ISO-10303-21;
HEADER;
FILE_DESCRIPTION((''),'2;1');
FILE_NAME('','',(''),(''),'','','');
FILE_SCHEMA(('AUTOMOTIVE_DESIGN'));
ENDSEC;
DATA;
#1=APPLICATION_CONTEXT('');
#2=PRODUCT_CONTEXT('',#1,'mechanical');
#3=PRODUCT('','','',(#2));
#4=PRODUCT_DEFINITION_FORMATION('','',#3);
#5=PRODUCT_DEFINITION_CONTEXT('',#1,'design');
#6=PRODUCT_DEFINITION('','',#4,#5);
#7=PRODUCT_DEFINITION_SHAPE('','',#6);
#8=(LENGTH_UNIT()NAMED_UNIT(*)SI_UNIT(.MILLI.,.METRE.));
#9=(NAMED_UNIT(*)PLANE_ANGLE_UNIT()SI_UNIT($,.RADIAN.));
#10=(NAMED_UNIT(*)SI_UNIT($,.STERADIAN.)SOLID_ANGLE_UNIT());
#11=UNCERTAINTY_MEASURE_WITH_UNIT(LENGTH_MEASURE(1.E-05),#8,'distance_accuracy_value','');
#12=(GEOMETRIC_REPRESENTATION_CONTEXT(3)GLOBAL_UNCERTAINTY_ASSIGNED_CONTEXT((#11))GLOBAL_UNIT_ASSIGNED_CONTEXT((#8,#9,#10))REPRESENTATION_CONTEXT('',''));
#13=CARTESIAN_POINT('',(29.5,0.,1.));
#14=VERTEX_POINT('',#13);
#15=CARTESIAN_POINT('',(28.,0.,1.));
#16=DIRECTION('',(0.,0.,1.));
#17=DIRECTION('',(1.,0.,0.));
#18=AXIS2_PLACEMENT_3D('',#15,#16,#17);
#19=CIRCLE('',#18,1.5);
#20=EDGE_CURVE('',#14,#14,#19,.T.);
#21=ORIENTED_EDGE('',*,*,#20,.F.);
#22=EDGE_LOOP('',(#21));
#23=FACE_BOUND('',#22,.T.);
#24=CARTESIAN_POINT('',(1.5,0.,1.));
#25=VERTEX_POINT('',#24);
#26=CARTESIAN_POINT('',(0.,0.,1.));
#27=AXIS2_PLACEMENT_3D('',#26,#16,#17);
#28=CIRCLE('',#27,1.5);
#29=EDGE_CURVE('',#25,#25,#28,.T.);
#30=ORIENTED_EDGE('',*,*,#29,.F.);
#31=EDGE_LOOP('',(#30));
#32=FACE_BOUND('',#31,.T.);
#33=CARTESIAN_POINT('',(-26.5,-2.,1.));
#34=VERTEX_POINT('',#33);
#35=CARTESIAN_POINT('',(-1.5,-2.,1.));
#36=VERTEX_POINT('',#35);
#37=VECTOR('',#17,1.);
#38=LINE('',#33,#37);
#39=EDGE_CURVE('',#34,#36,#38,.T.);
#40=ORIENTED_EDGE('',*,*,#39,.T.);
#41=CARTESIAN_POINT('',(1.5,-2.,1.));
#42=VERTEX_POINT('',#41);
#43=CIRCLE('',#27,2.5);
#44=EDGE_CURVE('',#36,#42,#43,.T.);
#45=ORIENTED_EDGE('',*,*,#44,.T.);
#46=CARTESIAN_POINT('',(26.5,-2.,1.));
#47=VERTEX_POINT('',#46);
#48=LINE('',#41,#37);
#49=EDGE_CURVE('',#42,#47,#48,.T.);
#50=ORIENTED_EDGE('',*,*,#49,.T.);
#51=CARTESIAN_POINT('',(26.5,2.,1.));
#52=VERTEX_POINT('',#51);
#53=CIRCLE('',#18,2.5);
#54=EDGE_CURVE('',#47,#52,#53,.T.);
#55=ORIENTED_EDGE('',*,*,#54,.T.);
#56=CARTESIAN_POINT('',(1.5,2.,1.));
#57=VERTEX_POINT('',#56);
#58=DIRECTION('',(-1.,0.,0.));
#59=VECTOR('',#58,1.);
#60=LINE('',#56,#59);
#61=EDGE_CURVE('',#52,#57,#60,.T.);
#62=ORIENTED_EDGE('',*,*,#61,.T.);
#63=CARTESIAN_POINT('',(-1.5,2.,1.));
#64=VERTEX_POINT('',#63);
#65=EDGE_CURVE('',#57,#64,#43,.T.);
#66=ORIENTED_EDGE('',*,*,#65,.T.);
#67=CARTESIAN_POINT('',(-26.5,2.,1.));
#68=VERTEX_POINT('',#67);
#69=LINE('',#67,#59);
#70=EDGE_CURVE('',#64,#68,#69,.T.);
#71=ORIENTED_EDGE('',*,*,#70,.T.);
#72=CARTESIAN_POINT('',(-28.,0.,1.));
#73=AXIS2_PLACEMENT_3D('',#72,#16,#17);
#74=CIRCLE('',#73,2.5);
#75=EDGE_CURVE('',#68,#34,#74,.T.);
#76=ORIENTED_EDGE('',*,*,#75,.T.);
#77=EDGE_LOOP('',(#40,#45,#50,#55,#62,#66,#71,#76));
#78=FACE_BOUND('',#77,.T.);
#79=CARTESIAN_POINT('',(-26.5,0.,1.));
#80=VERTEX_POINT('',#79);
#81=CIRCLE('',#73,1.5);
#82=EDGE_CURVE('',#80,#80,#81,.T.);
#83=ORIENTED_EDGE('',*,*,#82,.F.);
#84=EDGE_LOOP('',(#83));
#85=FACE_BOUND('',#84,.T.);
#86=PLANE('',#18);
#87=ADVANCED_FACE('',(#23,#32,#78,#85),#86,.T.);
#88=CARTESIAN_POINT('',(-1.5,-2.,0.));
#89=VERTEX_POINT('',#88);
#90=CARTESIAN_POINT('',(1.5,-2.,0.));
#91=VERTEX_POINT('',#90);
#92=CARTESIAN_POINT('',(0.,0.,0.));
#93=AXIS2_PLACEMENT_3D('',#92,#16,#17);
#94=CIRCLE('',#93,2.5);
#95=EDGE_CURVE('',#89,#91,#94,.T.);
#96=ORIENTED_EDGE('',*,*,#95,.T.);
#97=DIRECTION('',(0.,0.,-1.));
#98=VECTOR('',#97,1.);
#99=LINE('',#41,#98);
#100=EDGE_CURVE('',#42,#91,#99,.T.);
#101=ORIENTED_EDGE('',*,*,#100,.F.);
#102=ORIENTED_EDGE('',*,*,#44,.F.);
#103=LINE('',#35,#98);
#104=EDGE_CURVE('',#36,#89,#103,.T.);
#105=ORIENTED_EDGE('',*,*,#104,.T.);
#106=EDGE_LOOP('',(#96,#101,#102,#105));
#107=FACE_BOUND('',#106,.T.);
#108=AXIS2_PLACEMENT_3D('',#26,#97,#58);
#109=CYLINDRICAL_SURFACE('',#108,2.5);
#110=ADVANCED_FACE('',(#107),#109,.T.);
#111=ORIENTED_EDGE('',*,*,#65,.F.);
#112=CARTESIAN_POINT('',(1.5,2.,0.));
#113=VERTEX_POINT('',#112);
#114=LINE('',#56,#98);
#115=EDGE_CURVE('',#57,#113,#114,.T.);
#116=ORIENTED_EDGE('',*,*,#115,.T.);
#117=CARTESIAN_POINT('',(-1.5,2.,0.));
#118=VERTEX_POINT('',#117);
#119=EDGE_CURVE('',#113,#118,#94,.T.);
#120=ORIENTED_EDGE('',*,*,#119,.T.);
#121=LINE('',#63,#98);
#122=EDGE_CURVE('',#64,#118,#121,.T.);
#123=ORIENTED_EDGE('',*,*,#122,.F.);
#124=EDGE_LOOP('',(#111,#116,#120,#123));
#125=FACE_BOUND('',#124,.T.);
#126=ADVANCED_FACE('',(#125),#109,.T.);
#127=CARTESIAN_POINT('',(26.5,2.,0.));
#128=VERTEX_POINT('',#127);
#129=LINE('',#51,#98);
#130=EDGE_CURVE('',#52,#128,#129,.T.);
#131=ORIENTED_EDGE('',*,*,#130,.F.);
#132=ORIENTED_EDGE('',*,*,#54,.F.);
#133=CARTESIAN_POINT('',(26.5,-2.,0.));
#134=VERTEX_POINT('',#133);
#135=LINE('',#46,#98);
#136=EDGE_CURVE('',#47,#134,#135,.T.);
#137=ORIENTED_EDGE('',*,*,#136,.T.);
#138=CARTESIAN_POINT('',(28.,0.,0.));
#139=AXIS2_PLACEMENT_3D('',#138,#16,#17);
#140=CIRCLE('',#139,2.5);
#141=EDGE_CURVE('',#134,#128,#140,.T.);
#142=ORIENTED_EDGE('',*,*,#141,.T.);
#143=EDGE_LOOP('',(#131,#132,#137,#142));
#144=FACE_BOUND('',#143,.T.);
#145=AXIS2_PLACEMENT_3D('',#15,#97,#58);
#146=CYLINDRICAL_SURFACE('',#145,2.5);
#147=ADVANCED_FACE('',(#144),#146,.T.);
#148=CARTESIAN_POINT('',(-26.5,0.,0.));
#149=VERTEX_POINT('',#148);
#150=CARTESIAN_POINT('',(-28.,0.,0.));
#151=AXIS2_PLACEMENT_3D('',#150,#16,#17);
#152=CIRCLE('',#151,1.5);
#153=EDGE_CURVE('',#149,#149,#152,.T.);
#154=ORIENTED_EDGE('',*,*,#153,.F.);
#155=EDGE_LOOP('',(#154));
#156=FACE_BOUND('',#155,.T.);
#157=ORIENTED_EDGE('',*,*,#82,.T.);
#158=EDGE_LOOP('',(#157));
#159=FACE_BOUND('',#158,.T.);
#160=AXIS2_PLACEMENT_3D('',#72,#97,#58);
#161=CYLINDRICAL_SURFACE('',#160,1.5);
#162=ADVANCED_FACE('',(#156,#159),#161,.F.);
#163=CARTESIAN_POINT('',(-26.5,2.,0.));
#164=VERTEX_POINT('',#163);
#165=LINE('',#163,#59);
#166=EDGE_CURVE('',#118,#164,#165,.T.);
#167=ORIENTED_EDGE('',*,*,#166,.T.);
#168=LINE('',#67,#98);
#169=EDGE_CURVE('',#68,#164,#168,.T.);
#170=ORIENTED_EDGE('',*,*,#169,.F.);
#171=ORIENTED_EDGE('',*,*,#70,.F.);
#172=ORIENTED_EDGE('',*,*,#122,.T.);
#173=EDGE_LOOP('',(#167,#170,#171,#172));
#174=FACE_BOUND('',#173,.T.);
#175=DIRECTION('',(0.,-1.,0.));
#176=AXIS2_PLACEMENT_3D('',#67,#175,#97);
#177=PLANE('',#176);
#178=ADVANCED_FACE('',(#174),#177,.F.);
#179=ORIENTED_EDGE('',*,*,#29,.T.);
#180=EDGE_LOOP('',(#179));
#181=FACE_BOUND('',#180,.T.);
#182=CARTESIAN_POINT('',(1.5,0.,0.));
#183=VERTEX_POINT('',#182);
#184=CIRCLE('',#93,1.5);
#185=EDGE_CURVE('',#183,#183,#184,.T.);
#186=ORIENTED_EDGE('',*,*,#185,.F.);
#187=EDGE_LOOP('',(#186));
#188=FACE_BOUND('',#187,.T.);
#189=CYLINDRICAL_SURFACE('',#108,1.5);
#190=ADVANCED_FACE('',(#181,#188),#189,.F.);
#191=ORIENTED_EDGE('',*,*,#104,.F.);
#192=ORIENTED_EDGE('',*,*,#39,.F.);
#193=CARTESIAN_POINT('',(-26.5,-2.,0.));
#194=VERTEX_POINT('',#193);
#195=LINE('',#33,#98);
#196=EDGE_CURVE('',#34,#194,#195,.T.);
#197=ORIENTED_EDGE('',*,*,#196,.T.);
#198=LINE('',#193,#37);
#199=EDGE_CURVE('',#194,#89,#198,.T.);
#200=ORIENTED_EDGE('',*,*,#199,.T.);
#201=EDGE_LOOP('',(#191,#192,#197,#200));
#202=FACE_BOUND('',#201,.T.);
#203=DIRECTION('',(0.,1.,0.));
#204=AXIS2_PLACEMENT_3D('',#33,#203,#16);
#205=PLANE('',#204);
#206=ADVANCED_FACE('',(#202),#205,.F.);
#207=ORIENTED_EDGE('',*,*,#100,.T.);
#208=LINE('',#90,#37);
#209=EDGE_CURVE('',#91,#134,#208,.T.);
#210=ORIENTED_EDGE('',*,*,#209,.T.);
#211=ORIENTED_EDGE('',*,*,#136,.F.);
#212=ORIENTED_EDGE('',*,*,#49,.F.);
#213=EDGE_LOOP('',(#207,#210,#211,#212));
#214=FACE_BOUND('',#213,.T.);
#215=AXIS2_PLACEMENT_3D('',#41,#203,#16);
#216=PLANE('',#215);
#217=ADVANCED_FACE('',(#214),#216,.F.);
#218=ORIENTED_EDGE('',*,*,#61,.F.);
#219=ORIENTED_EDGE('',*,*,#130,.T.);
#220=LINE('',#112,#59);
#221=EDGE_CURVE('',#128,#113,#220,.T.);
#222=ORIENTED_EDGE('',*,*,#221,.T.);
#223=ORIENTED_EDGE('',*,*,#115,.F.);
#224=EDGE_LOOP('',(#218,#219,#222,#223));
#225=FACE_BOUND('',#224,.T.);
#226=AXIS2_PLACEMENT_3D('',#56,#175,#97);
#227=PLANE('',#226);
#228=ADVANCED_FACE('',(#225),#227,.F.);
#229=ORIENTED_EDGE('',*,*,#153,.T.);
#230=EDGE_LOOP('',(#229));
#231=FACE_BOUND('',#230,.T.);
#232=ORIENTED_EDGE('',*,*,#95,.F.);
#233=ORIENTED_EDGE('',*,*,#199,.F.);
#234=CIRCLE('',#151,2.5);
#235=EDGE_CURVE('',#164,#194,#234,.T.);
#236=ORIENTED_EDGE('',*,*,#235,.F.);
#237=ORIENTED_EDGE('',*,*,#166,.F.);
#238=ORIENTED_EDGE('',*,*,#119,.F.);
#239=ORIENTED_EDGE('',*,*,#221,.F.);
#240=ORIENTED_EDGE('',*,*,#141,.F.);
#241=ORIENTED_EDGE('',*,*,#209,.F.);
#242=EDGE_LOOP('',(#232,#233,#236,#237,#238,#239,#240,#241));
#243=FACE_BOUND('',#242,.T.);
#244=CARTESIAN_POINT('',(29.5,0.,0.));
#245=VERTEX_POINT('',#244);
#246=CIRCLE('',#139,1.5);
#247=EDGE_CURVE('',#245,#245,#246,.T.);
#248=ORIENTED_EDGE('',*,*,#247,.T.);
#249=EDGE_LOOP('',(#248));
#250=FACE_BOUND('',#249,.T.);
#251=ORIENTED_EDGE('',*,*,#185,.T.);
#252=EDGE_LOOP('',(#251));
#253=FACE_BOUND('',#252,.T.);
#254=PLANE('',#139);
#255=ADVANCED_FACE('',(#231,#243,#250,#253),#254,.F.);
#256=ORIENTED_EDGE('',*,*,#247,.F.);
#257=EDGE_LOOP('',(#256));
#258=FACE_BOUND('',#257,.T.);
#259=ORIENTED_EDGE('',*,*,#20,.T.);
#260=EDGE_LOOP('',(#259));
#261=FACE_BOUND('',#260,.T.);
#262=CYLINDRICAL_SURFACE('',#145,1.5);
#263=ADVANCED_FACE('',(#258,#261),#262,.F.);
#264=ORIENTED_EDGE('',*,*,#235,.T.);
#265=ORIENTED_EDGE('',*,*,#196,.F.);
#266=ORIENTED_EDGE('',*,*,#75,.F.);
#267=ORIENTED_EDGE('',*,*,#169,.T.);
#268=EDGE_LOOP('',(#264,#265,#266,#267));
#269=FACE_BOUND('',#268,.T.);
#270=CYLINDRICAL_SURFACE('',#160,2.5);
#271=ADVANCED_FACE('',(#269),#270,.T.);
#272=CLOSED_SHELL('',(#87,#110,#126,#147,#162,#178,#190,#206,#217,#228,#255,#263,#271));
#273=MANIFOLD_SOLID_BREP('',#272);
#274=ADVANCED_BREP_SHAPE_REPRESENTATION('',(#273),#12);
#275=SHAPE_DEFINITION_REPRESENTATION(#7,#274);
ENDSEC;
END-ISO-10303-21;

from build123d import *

# Parameters (mm, degrees)
SKETCH_1_R      = 1.5
EXTRUDE_1_DEPTH = 1


with BuildPart() as part:
    # 草图1 → 凸台-拉伸1 (new body)
    with BuildSketch(Plane.XY):
        with BuildLine():
            Line((1.5, 2), (26.5, 2))
            ThreePointArc((26.5, 2), (30.5, 0), (26.5, -2))
            Line((26.5, -2), (1.5, -2))
            ThreePointArc((1.5, -2), (0, -2.5), (-1.5, -2))
            Line((-1.5, -2), (-26.5, -2))
            ThreePointArc((-26.5, -2), (-30.5, 0), (-26.5, 2))
            Line((-26.5, 2), (-1.5, 2))
            ThreePointArc((-1.5, 2), (0, 2.5), (1.5, 2))
        make_face()
        with Locations((-28, 0)):
            Circle(SKETCH_1_R, mode=Mode.SUBTRACT)
        Circle(SKETCH_1_R, mode=Mode.SUBTRACT)
        with Locations((28, 0)):
            Circle(SKETCH_1_R, mode=Mode.SUBTRACT)
    extrude(amount=EXTRUDE_1_DEPTH)


solid = part.part
